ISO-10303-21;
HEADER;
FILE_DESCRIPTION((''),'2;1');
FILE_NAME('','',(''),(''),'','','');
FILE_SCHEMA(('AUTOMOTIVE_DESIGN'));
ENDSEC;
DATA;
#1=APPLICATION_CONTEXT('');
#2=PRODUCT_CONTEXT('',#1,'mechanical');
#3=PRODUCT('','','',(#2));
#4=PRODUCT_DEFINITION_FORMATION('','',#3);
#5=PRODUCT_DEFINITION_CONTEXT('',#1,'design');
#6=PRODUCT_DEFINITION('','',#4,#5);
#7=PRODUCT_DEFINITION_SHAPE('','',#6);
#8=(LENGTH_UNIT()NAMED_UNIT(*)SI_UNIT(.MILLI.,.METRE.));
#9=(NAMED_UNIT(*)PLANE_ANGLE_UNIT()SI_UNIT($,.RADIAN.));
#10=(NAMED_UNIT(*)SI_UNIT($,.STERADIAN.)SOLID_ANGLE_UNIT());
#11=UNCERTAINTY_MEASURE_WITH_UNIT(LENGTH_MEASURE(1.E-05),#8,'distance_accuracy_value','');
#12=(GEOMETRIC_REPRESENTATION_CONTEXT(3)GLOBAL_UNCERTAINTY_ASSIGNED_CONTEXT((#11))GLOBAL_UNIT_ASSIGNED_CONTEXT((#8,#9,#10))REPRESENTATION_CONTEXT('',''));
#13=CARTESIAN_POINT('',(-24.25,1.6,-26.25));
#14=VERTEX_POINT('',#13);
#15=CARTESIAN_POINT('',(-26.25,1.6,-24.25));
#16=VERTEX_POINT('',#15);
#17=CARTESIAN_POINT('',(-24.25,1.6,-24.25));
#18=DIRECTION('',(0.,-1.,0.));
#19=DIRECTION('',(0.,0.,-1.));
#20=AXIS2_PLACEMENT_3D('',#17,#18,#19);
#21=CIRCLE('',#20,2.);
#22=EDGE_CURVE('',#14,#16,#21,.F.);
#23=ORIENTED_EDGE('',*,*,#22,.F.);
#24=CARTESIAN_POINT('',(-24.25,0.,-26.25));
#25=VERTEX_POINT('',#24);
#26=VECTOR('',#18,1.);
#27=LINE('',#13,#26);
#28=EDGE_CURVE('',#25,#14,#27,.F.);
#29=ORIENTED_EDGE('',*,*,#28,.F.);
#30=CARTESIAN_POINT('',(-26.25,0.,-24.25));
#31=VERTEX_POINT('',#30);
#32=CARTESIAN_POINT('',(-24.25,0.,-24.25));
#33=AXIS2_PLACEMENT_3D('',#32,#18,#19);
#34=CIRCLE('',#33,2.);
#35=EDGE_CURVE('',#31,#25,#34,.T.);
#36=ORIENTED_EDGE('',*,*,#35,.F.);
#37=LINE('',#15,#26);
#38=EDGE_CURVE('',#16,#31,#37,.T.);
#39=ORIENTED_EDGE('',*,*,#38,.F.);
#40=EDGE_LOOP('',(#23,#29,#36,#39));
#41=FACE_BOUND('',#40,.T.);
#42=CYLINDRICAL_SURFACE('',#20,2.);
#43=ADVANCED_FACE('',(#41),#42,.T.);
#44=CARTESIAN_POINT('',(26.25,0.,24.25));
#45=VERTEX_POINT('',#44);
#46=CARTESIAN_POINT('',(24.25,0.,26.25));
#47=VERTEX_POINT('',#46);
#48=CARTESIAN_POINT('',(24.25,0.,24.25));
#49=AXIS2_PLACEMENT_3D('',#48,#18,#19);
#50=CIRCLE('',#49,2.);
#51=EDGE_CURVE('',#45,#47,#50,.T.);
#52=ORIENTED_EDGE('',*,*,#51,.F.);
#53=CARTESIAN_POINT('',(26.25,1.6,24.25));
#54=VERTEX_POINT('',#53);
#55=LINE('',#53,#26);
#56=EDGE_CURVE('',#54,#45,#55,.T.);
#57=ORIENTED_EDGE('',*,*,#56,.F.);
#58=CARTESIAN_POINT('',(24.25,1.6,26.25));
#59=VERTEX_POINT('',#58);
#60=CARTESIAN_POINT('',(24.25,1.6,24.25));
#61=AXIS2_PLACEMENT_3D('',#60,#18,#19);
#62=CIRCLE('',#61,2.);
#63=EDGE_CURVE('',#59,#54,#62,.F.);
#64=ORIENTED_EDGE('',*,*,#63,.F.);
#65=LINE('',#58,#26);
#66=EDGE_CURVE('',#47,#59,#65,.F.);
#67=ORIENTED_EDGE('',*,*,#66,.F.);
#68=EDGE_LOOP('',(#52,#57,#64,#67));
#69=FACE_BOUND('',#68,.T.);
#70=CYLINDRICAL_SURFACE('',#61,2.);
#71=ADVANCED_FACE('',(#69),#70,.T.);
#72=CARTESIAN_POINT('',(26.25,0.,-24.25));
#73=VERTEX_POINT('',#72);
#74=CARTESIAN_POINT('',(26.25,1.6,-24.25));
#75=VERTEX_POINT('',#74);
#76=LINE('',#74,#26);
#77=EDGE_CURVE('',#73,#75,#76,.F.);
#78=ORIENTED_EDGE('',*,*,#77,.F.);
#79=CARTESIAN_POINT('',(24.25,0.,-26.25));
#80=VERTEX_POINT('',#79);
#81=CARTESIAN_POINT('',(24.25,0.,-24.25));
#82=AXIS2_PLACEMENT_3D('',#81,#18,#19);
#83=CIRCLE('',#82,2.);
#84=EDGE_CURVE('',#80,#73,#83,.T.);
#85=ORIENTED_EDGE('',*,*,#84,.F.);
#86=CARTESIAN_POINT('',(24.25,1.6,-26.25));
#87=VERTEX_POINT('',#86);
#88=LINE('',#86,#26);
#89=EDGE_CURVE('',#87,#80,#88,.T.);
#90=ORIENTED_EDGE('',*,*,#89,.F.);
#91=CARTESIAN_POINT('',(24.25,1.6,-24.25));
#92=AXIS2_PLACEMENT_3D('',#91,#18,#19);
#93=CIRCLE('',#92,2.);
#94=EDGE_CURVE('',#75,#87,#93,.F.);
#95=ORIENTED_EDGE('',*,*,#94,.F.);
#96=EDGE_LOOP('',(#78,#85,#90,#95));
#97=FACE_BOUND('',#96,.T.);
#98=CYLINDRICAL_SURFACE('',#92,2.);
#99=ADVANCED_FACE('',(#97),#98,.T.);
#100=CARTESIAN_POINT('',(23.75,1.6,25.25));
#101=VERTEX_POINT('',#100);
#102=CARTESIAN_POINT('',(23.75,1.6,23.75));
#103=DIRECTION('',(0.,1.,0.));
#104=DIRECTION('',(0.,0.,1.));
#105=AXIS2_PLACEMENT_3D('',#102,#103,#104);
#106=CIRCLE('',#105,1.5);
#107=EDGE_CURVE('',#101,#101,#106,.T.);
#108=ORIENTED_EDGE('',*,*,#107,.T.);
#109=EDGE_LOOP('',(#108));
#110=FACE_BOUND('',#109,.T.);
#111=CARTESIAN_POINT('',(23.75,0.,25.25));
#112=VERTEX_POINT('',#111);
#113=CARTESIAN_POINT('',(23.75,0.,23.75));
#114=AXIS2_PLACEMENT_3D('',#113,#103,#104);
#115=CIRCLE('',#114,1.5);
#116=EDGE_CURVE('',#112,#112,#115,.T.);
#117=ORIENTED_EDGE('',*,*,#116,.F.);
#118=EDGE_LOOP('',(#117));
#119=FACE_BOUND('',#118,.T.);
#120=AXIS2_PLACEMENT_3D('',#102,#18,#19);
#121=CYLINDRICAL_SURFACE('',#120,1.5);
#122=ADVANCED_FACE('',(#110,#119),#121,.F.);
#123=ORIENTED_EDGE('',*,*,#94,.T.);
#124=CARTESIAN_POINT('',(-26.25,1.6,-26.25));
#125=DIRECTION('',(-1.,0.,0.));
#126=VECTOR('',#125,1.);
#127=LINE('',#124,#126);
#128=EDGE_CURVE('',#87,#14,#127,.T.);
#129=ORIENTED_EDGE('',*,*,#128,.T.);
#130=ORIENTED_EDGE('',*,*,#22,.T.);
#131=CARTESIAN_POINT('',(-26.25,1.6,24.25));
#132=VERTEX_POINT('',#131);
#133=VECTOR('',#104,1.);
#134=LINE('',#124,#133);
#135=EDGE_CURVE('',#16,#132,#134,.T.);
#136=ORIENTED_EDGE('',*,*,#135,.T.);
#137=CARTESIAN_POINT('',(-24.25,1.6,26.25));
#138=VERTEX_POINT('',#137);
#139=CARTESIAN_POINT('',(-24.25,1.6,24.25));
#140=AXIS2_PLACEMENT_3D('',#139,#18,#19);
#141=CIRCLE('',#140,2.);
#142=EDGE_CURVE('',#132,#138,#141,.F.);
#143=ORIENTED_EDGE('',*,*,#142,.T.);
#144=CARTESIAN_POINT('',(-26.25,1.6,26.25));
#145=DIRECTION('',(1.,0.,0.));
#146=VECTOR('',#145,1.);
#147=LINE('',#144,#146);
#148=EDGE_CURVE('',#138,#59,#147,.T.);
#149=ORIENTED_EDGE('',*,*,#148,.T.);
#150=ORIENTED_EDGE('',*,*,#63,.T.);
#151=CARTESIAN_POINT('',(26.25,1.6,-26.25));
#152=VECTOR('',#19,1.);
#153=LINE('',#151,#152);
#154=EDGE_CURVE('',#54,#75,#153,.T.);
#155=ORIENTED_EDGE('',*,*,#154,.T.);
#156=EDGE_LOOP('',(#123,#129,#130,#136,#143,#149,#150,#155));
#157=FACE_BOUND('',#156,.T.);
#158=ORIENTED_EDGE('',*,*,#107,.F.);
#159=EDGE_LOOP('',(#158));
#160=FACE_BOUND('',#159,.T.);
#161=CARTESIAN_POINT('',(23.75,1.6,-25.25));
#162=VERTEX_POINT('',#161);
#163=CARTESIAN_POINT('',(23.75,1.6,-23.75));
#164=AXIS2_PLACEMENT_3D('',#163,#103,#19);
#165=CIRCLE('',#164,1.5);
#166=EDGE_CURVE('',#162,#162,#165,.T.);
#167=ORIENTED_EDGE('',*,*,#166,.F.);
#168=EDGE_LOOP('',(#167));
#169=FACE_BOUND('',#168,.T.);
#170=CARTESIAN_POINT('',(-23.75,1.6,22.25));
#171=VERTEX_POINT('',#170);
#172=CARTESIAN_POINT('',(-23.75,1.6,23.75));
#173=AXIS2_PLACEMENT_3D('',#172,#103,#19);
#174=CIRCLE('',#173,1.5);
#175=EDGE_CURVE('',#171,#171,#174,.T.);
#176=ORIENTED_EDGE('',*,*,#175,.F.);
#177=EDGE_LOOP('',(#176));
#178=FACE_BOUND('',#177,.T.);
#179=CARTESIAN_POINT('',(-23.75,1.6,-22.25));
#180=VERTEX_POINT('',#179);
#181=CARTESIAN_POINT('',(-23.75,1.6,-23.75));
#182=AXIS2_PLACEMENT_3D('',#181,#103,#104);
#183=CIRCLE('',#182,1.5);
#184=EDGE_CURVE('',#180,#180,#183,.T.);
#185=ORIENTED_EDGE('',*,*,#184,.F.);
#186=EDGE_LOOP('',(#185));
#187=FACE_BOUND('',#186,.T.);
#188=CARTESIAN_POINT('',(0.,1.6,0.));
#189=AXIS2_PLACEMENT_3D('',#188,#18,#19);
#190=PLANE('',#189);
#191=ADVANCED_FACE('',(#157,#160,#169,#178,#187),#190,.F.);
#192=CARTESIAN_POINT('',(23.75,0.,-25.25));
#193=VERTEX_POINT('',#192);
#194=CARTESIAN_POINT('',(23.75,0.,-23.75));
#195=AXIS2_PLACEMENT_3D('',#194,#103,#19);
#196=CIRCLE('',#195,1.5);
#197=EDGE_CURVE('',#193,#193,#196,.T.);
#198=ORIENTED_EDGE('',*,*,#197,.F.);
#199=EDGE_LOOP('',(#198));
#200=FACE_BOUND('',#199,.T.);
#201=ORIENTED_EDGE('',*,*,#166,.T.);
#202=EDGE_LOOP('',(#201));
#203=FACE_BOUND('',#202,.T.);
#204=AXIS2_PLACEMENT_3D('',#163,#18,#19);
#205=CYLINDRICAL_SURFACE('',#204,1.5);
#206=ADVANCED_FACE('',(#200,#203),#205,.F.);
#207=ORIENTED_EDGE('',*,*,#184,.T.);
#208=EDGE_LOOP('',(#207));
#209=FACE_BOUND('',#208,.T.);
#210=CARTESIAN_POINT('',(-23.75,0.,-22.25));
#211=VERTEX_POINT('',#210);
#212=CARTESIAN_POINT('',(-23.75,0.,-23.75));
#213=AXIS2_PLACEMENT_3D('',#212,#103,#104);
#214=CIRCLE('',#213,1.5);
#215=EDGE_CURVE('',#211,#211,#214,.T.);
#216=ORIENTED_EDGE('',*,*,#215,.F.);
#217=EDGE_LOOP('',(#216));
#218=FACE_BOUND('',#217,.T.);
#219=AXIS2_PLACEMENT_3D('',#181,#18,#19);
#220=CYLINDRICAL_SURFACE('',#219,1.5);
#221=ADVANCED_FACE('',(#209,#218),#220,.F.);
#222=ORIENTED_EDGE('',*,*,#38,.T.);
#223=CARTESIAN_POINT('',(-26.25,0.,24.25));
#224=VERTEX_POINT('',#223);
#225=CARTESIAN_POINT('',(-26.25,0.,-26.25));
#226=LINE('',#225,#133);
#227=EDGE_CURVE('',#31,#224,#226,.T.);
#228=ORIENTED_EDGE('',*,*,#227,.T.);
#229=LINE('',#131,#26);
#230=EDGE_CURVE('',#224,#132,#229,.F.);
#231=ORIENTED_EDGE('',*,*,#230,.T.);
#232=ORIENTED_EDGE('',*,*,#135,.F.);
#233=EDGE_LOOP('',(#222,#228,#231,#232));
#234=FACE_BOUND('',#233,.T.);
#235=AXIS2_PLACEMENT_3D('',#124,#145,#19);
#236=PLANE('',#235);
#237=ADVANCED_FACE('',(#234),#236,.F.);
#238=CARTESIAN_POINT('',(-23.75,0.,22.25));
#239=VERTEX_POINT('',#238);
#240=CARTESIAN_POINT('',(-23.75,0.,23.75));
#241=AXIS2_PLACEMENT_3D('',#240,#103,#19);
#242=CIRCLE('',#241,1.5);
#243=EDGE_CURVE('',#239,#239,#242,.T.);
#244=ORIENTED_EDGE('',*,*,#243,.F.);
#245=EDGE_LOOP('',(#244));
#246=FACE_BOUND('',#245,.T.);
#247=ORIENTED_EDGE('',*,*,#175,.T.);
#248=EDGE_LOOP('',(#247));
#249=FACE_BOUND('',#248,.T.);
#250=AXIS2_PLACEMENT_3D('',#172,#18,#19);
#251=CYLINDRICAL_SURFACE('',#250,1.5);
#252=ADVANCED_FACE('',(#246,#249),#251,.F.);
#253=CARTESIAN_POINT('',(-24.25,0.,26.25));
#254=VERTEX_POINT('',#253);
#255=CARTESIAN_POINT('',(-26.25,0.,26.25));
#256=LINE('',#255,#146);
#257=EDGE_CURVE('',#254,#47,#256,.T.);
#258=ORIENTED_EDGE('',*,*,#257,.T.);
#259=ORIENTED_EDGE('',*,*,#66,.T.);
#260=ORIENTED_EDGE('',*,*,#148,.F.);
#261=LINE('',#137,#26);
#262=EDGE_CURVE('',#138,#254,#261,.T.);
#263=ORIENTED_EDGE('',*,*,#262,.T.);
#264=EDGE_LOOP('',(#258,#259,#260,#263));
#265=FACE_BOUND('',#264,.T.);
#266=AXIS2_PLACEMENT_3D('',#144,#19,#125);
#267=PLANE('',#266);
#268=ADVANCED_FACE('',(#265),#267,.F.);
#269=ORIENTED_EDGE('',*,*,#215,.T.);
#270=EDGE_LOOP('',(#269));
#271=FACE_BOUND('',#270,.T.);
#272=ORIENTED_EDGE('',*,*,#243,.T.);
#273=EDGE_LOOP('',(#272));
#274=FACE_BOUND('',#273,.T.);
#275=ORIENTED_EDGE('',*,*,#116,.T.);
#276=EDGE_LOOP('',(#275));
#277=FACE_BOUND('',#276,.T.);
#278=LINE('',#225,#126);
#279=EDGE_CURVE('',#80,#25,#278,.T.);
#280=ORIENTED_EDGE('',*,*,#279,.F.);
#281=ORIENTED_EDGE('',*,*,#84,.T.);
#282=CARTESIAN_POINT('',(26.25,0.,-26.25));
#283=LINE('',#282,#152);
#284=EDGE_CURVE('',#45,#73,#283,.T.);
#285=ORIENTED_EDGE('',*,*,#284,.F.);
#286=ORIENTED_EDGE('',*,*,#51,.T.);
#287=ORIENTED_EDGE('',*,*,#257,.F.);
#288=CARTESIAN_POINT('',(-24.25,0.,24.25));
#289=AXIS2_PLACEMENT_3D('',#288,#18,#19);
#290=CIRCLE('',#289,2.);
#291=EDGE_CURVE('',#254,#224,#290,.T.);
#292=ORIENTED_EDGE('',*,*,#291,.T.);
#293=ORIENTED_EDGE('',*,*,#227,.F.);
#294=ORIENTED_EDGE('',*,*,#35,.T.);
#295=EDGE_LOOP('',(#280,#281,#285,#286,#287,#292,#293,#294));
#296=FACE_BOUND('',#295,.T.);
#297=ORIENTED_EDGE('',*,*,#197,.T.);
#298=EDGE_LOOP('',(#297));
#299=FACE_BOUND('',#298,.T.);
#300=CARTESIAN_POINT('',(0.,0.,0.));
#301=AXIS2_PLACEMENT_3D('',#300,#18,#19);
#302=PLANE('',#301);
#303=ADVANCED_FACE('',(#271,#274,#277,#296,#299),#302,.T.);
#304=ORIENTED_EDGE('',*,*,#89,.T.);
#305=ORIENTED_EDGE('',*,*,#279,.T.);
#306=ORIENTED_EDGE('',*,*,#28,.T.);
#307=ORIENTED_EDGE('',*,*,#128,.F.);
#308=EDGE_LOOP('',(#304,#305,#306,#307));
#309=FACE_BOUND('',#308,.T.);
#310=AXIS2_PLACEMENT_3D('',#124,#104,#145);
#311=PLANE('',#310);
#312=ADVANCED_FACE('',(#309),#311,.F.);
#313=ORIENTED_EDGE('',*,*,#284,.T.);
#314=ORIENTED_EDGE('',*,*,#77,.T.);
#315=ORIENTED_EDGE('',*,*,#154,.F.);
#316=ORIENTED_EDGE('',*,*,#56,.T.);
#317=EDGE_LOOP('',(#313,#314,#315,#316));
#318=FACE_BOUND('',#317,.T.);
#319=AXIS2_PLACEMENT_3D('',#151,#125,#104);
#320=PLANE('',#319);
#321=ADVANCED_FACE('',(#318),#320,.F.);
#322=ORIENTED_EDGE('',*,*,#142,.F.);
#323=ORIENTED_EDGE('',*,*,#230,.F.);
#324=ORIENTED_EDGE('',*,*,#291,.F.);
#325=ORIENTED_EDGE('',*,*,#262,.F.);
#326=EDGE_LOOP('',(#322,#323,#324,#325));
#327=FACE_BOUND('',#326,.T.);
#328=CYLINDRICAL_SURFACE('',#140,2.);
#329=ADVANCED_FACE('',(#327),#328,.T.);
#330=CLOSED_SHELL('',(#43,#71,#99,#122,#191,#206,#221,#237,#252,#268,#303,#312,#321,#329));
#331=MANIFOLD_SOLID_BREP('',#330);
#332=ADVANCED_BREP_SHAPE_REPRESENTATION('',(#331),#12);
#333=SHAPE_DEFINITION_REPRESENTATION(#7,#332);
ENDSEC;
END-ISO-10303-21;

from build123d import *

# Parameters (mm, degrees)
SKETCH1_W           = 52.5
SKETCH1_H           = 52.5
SKETCH1_R           = 1.5
BOSS_EXTRUDE1_DEPTH = 1.6
FILLET1_R           = 2


with BuildPart() as part:
    # Sketch1 → Boss-Extrude1 (new body)
    with BuildSketch(Plane(origin=(0, 0, 0), x_dir=(1, 0, 0), z_dir=(0, 1, 0))):
        Rectangle(SKETCH1_W, SKETCH1_H)
        with Locations(Location((-23.75, 23.75, 0), (0, 0, 270))):
            Circle(SKETCH1_R, mode=Mode.SUBTRACT)
        with Locations(Location((23.75, 23.75, 0), (0, 0, 90))):
            Circle(SKETCH1_R, mode=Mode.SUBTRACT)
        with Locations(Location((23.75, -23.75, 0), (0, 0, 270))):
            Circle(SKETCH1_R, mode=Mode.SUBTRACT)
        with Locations(Location((-23.75, -23.75, 0), (0, 0, 90))):
            Circle(SKETCH1_R, mode=Mode.SUBTRACT)
    extrude(amount=BOSS_EXTRUDE1_DEPTH)

    # Fillet1
    fillet1_edges = [part.edges().sort_by_distance(p)[0] for p in [
        (26.25, 0.8, -26.25),
        (26.25, 0.8, 26.25),
        (-26.25, 0.8, 26.25),
        (-26.25, 0.8, -26.25),
    ]]
    fillet(fillet1_edges, radius=FILLET1_R)


solid = part.part
